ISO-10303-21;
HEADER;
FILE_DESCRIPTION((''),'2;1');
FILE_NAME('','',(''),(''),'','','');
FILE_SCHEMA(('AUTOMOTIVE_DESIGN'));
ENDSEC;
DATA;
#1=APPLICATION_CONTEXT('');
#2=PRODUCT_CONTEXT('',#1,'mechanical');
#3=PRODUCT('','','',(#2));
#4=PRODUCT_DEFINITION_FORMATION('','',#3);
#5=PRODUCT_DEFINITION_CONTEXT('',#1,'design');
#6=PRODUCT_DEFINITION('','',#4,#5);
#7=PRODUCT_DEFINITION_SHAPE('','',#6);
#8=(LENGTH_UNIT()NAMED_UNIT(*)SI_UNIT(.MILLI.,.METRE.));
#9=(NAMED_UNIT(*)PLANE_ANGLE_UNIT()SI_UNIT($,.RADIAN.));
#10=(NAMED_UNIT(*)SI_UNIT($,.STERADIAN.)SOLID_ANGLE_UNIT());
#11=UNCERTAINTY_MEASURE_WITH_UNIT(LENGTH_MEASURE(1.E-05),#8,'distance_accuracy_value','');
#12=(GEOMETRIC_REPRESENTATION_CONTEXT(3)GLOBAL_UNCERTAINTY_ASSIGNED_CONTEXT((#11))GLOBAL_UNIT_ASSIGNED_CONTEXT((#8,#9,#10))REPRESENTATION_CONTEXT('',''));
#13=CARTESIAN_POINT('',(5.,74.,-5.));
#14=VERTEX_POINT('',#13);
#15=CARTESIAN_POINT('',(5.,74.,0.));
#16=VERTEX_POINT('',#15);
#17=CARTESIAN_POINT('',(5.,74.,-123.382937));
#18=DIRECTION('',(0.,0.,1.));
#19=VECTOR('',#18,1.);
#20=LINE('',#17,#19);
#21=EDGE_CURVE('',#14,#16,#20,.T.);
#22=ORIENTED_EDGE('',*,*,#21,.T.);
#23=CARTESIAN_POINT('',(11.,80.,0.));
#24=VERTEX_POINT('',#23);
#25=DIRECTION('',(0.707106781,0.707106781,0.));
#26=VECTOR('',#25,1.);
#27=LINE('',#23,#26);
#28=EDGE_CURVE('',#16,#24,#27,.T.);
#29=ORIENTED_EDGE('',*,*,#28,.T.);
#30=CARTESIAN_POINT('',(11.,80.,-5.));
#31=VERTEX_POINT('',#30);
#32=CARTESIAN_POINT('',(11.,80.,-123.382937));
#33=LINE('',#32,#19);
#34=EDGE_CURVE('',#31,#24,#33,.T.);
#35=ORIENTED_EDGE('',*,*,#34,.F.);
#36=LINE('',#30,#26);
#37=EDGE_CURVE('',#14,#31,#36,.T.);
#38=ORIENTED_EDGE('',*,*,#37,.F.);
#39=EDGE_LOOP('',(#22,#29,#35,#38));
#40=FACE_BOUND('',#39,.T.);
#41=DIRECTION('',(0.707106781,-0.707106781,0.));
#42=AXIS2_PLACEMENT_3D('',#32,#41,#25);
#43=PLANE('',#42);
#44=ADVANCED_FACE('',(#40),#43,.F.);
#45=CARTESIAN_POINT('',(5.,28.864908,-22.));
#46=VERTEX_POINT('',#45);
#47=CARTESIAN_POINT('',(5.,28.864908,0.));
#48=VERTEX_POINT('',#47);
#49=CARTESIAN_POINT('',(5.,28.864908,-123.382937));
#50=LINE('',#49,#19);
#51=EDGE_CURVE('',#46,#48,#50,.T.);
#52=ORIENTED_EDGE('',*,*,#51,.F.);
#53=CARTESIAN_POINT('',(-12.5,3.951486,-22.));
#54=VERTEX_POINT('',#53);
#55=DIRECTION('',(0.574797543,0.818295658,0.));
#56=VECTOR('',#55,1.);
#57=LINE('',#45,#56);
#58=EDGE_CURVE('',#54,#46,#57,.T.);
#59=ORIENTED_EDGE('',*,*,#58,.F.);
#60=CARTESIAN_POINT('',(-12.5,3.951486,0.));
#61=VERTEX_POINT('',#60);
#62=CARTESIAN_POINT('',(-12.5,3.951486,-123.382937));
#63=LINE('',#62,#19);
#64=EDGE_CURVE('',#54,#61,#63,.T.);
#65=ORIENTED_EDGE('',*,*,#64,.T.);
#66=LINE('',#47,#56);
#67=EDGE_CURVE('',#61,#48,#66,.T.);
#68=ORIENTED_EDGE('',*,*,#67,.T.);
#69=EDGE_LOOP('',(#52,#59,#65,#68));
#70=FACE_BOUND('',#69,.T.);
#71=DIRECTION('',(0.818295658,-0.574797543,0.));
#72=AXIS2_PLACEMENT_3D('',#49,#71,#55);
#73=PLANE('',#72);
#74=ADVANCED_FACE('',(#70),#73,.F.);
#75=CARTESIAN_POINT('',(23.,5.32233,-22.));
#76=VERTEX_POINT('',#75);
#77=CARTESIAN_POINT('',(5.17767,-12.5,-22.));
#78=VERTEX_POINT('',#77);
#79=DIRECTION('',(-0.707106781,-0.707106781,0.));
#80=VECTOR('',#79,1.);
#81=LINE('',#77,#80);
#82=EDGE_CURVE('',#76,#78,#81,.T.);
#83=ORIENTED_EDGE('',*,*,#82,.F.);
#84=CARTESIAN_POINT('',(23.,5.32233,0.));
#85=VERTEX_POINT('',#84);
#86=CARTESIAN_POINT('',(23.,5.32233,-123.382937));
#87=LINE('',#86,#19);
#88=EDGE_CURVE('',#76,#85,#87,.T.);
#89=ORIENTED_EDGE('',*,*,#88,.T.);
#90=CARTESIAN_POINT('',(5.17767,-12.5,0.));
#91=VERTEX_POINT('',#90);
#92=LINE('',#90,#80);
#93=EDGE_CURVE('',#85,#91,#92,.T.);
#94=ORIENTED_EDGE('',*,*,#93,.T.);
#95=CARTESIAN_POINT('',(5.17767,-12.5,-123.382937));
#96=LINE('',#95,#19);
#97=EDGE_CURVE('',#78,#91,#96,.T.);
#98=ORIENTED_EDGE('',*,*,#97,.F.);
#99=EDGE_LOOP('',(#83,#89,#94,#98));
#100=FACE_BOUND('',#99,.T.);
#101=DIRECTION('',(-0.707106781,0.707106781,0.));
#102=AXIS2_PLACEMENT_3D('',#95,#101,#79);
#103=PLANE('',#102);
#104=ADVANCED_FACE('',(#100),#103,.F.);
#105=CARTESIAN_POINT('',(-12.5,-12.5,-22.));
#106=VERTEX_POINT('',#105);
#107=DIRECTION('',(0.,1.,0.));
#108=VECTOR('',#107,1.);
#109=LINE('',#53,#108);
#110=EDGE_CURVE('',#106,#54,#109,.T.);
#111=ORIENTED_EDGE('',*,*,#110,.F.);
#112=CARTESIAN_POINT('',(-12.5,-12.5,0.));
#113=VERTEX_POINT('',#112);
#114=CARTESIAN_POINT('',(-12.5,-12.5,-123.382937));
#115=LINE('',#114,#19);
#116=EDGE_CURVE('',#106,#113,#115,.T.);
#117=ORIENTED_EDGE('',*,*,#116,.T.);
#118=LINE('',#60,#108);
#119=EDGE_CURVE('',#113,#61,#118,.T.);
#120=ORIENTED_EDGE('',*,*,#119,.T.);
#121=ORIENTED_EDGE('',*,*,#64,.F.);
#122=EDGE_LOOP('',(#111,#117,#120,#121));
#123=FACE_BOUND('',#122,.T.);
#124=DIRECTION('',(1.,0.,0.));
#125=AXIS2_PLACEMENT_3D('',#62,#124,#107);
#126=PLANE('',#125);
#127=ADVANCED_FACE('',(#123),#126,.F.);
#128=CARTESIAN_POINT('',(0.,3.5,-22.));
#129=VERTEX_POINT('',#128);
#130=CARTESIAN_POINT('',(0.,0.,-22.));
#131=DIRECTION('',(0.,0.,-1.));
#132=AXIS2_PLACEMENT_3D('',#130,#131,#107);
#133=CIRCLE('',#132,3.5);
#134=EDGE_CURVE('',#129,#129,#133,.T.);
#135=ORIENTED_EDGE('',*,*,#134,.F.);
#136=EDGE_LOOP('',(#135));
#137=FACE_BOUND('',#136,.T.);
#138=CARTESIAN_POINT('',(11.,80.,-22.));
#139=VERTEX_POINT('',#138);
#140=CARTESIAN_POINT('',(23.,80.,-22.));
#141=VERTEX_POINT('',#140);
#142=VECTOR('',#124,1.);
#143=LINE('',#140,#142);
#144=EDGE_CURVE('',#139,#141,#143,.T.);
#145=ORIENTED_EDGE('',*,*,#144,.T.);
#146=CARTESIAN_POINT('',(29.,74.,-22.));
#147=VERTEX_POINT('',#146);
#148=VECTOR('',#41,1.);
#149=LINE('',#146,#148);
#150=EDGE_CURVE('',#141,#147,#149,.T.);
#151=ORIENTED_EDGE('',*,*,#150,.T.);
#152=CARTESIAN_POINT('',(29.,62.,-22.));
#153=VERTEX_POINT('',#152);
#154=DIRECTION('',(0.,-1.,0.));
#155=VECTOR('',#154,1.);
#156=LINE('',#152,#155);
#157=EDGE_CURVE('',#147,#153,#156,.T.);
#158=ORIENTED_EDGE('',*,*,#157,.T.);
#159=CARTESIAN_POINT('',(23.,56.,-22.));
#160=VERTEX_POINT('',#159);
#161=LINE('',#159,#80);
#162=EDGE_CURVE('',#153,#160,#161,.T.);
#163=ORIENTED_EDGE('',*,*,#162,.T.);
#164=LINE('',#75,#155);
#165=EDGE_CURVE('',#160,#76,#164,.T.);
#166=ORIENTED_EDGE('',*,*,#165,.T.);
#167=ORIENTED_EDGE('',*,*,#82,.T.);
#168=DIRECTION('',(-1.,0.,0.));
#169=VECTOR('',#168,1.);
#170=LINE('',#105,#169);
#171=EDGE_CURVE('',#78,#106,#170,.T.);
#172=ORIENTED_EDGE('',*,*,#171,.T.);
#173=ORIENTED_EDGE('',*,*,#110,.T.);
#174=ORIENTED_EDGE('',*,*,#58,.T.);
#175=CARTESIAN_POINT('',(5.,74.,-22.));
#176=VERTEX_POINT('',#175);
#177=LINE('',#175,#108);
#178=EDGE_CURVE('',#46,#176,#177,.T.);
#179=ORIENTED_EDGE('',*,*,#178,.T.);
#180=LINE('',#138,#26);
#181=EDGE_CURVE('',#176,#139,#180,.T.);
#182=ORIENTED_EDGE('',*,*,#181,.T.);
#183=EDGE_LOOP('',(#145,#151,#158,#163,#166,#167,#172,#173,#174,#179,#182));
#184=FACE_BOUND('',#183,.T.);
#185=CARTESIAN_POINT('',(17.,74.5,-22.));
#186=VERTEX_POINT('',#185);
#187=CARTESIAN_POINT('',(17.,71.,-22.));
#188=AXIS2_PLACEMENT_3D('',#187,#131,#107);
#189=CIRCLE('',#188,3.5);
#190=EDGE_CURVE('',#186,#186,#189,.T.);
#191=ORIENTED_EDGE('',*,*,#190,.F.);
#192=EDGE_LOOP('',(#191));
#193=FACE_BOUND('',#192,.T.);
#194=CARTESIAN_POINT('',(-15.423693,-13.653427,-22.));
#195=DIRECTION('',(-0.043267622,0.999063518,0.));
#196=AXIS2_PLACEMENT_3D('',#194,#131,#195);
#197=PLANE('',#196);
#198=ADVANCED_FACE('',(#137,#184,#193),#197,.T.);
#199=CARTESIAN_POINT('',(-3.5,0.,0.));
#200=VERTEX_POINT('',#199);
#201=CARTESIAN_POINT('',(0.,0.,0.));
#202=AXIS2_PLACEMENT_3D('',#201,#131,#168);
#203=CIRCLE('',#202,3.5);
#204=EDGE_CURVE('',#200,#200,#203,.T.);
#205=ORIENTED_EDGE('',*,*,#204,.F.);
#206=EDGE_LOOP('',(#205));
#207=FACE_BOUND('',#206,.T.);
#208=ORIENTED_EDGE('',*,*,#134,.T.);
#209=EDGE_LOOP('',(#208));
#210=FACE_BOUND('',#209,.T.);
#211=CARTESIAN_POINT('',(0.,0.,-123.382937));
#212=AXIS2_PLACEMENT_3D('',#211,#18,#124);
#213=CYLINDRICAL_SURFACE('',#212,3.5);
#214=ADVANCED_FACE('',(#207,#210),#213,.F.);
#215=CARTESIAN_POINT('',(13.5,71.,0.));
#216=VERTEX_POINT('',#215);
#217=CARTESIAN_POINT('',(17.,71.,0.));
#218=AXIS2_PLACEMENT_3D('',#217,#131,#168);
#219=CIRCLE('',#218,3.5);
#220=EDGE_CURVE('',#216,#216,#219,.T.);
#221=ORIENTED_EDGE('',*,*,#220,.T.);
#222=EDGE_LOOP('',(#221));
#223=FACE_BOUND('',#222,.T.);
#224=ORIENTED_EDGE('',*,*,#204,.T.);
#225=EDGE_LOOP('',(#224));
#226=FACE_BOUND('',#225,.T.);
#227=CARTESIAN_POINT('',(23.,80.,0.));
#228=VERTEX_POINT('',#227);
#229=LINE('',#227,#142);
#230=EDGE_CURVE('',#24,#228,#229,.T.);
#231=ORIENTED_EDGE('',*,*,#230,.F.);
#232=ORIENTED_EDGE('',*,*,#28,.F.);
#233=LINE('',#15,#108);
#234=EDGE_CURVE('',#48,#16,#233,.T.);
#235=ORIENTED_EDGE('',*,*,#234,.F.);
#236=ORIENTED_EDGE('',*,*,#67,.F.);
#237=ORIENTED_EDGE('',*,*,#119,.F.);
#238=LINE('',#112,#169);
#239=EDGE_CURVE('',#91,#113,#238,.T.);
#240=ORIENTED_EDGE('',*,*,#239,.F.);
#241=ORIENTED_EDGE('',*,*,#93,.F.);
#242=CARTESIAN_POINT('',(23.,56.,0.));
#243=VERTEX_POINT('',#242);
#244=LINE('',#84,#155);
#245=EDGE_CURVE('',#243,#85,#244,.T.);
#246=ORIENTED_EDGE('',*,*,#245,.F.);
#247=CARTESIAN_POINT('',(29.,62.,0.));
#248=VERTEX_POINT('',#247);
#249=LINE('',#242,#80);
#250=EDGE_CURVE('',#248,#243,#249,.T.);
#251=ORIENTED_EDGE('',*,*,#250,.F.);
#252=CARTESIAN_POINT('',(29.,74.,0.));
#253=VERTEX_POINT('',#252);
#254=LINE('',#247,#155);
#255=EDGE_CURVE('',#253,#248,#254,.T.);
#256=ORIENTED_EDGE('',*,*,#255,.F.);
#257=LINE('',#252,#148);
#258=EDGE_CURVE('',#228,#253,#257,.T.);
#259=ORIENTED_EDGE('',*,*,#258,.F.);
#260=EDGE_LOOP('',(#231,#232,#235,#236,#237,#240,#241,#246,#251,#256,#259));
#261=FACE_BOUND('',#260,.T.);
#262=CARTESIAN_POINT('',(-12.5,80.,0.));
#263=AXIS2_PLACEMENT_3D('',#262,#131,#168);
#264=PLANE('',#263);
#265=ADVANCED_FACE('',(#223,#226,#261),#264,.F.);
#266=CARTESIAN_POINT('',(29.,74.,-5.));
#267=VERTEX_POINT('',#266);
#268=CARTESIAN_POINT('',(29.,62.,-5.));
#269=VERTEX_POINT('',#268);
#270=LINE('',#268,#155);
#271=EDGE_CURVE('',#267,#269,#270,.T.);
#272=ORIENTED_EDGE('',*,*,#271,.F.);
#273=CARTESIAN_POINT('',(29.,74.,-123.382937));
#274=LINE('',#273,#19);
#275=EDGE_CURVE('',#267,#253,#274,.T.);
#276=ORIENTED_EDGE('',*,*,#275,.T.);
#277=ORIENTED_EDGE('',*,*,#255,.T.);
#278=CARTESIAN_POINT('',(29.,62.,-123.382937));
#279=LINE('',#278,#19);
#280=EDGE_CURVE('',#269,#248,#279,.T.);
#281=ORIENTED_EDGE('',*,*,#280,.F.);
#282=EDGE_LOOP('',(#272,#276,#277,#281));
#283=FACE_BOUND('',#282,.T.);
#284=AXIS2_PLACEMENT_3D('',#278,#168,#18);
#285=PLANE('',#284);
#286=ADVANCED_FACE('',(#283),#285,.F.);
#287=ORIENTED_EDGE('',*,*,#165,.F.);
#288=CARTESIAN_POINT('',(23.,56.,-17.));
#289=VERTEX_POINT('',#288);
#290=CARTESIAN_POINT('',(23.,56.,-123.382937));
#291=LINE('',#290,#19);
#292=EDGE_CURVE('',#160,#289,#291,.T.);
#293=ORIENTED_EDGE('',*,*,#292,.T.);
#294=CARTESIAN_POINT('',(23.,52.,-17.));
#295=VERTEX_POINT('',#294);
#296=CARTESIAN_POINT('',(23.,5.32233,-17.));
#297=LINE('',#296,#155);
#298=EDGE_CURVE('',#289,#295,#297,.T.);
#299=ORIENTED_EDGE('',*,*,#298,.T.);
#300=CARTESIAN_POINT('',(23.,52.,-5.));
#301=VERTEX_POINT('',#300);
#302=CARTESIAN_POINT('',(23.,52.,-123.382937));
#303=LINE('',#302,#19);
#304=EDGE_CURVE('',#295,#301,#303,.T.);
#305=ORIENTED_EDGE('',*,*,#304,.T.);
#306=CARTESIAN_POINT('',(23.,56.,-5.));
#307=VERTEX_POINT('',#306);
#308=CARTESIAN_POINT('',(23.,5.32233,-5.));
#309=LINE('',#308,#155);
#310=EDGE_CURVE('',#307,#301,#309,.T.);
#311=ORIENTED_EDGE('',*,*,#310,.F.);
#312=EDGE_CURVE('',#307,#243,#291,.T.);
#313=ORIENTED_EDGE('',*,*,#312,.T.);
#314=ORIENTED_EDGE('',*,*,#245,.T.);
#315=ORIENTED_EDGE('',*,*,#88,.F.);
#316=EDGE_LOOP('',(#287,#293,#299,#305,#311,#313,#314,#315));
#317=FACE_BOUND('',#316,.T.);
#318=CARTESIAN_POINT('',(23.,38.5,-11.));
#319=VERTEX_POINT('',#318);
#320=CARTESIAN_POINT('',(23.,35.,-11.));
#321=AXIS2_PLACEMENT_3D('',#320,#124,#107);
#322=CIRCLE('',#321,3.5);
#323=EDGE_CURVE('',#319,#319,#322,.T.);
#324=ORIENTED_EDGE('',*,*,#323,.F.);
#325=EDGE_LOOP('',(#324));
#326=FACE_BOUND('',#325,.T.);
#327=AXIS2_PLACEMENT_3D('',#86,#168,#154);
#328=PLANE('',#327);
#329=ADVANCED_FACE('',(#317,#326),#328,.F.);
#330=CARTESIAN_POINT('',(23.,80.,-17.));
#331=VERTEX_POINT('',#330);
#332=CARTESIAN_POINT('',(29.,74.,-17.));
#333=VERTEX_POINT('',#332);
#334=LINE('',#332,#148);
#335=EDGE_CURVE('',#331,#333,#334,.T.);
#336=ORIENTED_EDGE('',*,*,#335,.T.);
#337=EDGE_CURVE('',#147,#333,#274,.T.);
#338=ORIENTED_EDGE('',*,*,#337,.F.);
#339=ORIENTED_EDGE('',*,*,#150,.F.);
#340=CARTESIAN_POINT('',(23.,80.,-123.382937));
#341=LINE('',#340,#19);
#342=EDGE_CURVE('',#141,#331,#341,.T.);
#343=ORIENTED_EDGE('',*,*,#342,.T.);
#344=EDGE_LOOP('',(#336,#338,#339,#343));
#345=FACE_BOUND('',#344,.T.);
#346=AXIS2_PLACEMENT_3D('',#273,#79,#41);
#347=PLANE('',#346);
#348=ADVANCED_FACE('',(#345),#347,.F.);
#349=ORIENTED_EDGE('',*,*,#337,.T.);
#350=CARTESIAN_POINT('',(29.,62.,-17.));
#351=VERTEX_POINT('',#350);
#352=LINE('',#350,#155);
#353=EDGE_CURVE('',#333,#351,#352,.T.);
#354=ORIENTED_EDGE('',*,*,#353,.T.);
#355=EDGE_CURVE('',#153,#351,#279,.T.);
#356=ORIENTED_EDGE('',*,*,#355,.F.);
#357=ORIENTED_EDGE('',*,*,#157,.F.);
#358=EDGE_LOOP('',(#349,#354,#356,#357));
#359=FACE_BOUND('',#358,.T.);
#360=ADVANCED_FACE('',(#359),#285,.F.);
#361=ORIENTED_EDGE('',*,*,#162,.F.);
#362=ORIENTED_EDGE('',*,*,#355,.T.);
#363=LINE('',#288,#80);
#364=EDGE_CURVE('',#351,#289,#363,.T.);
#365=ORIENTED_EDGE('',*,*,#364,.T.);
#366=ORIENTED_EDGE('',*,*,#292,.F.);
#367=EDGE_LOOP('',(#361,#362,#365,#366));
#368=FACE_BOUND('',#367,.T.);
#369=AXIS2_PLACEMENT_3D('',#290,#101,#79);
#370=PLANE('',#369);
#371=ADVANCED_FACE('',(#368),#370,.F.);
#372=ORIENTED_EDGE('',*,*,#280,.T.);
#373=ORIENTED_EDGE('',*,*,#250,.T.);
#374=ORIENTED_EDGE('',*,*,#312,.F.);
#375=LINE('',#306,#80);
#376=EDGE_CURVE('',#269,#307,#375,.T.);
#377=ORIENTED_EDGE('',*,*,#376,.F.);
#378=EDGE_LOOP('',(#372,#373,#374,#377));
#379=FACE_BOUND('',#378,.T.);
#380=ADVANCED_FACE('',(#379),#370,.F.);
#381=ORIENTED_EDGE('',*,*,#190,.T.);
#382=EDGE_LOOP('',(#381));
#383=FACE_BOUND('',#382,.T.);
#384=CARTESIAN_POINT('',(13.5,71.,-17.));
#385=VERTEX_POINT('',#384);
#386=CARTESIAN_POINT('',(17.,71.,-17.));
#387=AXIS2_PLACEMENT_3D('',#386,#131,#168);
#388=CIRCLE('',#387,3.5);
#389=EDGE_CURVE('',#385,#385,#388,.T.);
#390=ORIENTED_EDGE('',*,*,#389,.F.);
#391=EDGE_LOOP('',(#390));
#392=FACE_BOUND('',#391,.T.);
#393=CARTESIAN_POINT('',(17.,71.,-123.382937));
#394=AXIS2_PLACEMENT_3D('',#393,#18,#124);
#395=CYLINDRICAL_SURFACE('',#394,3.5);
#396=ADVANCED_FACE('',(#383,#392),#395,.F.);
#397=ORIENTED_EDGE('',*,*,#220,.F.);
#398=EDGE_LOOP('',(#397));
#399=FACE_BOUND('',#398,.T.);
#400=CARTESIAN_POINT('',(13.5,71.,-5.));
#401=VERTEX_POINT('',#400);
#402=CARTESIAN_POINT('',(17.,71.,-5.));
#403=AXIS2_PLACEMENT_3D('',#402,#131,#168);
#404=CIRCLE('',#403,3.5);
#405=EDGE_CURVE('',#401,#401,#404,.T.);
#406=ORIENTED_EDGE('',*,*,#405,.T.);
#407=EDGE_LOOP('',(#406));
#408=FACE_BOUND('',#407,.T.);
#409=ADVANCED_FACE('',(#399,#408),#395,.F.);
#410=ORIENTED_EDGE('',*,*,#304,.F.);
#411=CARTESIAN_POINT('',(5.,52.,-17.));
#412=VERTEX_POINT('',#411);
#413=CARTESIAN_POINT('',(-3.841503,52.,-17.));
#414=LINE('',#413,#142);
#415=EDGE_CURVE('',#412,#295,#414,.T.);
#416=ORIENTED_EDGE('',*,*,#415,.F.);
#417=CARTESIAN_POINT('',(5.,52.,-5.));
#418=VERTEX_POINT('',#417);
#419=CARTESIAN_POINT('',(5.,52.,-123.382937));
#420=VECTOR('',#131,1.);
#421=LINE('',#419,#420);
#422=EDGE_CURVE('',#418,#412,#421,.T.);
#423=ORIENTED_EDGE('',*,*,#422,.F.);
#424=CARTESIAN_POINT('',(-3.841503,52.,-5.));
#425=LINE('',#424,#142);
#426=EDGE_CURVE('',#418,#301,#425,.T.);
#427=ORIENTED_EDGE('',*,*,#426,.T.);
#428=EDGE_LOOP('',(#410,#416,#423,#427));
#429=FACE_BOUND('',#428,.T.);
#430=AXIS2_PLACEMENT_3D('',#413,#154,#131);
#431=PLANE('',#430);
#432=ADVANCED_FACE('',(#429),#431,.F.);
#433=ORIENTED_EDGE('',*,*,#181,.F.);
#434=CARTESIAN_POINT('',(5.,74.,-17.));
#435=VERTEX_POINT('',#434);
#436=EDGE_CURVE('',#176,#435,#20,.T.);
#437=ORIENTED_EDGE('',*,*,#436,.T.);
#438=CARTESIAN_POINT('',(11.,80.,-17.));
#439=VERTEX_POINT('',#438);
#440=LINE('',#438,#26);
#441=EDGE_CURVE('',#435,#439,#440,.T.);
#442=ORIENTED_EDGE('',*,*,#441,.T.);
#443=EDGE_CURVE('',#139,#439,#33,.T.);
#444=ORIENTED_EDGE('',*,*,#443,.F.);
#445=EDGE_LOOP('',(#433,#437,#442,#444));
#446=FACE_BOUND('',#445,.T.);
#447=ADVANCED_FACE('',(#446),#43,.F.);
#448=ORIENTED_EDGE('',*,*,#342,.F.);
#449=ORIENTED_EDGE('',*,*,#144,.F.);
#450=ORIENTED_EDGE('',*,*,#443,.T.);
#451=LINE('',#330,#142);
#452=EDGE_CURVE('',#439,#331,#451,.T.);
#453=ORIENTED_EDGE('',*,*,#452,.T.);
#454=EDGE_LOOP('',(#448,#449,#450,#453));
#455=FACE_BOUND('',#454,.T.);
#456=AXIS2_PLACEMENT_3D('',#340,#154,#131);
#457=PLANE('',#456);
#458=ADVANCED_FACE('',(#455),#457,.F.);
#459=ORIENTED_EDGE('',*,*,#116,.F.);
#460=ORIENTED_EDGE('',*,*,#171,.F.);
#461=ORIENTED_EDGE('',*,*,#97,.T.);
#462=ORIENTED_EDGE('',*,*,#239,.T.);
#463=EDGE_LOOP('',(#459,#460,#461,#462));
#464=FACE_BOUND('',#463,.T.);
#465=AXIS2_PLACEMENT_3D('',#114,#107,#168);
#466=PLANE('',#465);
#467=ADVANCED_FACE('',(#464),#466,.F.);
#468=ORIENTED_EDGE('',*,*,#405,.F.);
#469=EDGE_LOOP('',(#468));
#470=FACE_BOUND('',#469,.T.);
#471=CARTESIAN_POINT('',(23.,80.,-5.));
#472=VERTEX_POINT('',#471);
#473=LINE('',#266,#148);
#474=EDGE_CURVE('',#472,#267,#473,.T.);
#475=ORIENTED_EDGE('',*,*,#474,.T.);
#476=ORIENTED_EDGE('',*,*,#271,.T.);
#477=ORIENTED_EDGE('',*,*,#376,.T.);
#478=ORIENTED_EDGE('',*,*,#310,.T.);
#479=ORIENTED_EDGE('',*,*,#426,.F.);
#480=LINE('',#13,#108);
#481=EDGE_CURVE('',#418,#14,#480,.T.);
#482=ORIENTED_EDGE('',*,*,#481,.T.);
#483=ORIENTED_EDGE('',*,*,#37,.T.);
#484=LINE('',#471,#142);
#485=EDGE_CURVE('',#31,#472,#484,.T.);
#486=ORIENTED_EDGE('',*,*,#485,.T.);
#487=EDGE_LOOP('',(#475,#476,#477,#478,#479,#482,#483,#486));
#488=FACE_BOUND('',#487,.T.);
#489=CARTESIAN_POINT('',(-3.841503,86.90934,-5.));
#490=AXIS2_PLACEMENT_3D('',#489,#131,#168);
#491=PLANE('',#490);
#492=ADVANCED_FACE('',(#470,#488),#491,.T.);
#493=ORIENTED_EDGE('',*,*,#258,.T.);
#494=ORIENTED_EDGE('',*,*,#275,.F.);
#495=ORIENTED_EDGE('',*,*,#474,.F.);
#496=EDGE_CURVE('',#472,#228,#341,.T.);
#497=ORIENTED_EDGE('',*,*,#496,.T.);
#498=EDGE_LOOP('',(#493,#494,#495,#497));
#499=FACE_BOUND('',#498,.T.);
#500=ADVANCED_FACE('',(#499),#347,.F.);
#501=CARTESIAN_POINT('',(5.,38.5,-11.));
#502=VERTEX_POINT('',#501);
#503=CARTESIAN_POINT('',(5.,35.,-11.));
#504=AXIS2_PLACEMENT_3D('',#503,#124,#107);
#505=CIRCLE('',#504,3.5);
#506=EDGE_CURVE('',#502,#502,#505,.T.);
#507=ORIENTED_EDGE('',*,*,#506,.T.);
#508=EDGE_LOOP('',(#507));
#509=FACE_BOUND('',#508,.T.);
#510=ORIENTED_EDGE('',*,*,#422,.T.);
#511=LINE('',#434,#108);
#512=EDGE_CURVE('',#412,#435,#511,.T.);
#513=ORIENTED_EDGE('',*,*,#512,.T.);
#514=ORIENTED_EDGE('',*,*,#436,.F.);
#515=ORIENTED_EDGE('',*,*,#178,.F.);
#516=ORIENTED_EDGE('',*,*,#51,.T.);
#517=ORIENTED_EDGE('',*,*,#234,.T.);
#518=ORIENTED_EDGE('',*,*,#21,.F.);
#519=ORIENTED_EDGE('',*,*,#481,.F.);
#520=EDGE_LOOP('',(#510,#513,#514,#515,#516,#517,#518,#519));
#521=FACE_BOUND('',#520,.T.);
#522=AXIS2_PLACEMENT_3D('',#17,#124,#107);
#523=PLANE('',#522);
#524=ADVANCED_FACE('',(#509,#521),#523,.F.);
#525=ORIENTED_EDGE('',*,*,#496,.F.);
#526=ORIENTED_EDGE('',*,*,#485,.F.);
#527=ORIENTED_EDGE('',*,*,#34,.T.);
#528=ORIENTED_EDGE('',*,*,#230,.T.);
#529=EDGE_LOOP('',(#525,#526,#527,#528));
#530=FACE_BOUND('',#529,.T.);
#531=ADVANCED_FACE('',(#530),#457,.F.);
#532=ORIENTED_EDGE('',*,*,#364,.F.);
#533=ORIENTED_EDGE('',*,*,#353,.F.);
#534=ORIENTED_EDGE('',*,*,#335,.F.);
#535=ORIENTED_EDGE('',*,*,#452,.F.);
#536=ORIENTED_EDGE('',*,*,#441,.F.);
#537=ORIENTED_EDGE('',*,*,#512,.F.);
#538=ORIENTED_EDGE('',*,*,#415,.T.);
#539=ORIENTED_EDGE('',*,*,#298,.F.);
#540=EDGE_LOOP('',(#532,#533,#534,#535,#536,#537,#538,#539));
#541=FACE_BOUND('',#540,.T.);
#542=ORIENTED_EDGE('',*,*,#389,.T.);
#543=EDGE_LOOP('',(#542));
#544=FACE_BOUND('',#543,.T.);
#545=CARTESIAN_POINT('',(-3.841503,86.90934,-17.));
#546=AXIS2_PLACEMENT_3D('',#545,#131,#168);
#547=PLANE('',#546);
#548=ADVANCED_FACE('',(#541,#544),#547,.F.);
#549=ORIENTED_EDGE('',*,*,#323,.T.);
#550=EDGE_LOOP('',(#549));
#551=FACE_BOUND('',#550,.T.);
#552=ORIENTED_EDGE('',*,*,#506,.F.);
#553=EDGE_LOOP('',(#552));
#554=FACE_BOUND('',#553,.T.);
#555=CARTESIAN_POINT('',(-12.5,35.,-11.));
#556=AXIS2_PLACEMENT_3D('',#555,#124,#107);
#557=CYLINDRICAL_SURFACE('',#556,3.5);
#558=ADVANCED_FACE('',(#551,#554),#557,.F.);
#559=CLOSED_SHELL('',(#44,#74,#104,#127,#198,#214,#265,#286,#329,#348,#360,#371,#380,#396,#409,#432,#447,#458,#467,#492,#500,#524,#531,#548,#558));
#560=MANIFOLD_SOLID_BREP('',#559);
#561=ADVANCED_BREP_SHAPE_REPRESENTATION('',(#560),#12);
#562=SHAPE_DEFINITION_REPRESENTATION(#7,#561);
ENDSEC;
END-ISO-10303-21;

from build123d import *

# Parameters (mm, degrees)
ESQUISSE1_R             = 3.5
BASE_EXTRUSION_DEPTH    = 22
ESQUISSE2_W             = 37.834703774
ESQUISSE2_H             = 34.90934008
ENL_V_MAT_EXTRU_1_DEPTH = 6
ESQUISSE3_R             = 3.5
ENL_V_MAT_EXTRU_2_DEPTH = 91.245498503


with BuildPart() as part:
    # Esquisse1 → Base-Extrusion (new body)
    with BuildSketch(Plane(origin=(0, 0, 0), x_dir=(-1, 0, 0), z_dir=(0, 0, -1))):
        Polygon((12.5, -12.5), (-5.17766953, -12.5), (-23, 5.32233047), (-23, 56), (-29, 62), (-29, 74), (-23, 80), (-11, 80), (-5, 74), (-5, 28.864908166), (12.5, 3.951485697), align=None)
        with Locations(Location((0, 0, 0), (0, 0, 90))):
            Circle(ESQUISSE1_R, mode=Mode.SUBTRACT)
        with Locations(Location((-17, 71, 0), (0, 0, 90))):
            Circle(ESQUISSE1_R, mode=Mode.SUBTRACT)
    extrude(amount=BASE_EXTRUSION_DEPTH)

    # Esquisse2 → Enlèv. mat.-Extru.1 (cut, symmetric)
    with BuildSketch(Plane.XY.offset(-11)):
        with Locations((15.075848619, 69.45467004)):
            Rectangle(ESQUISSE2_W, ESQUISSE2_H)
    extrude(amount=ENL_V_MAT_EXTRU_1_DEPTH, both=True, mode=Mode.SUBTRACT)

    # Esquisse3 → Enlèv. mat.-Extru.2 (cut, through all)
    with BuildSketch(Plane(origin=(23, 0, 0), x_dir=(0, 0, -1), z_dir=(1, 0, 0))):
        with Locations(Location((11, 35, 0), (0, 0, 90))):
            Circle(ESQUISSE3_R)
    extrude(amount=-ENL_V_MAT_EXTRU_2_DEPTH, mode=Mode.SUBTRACT)


solid = part.part
